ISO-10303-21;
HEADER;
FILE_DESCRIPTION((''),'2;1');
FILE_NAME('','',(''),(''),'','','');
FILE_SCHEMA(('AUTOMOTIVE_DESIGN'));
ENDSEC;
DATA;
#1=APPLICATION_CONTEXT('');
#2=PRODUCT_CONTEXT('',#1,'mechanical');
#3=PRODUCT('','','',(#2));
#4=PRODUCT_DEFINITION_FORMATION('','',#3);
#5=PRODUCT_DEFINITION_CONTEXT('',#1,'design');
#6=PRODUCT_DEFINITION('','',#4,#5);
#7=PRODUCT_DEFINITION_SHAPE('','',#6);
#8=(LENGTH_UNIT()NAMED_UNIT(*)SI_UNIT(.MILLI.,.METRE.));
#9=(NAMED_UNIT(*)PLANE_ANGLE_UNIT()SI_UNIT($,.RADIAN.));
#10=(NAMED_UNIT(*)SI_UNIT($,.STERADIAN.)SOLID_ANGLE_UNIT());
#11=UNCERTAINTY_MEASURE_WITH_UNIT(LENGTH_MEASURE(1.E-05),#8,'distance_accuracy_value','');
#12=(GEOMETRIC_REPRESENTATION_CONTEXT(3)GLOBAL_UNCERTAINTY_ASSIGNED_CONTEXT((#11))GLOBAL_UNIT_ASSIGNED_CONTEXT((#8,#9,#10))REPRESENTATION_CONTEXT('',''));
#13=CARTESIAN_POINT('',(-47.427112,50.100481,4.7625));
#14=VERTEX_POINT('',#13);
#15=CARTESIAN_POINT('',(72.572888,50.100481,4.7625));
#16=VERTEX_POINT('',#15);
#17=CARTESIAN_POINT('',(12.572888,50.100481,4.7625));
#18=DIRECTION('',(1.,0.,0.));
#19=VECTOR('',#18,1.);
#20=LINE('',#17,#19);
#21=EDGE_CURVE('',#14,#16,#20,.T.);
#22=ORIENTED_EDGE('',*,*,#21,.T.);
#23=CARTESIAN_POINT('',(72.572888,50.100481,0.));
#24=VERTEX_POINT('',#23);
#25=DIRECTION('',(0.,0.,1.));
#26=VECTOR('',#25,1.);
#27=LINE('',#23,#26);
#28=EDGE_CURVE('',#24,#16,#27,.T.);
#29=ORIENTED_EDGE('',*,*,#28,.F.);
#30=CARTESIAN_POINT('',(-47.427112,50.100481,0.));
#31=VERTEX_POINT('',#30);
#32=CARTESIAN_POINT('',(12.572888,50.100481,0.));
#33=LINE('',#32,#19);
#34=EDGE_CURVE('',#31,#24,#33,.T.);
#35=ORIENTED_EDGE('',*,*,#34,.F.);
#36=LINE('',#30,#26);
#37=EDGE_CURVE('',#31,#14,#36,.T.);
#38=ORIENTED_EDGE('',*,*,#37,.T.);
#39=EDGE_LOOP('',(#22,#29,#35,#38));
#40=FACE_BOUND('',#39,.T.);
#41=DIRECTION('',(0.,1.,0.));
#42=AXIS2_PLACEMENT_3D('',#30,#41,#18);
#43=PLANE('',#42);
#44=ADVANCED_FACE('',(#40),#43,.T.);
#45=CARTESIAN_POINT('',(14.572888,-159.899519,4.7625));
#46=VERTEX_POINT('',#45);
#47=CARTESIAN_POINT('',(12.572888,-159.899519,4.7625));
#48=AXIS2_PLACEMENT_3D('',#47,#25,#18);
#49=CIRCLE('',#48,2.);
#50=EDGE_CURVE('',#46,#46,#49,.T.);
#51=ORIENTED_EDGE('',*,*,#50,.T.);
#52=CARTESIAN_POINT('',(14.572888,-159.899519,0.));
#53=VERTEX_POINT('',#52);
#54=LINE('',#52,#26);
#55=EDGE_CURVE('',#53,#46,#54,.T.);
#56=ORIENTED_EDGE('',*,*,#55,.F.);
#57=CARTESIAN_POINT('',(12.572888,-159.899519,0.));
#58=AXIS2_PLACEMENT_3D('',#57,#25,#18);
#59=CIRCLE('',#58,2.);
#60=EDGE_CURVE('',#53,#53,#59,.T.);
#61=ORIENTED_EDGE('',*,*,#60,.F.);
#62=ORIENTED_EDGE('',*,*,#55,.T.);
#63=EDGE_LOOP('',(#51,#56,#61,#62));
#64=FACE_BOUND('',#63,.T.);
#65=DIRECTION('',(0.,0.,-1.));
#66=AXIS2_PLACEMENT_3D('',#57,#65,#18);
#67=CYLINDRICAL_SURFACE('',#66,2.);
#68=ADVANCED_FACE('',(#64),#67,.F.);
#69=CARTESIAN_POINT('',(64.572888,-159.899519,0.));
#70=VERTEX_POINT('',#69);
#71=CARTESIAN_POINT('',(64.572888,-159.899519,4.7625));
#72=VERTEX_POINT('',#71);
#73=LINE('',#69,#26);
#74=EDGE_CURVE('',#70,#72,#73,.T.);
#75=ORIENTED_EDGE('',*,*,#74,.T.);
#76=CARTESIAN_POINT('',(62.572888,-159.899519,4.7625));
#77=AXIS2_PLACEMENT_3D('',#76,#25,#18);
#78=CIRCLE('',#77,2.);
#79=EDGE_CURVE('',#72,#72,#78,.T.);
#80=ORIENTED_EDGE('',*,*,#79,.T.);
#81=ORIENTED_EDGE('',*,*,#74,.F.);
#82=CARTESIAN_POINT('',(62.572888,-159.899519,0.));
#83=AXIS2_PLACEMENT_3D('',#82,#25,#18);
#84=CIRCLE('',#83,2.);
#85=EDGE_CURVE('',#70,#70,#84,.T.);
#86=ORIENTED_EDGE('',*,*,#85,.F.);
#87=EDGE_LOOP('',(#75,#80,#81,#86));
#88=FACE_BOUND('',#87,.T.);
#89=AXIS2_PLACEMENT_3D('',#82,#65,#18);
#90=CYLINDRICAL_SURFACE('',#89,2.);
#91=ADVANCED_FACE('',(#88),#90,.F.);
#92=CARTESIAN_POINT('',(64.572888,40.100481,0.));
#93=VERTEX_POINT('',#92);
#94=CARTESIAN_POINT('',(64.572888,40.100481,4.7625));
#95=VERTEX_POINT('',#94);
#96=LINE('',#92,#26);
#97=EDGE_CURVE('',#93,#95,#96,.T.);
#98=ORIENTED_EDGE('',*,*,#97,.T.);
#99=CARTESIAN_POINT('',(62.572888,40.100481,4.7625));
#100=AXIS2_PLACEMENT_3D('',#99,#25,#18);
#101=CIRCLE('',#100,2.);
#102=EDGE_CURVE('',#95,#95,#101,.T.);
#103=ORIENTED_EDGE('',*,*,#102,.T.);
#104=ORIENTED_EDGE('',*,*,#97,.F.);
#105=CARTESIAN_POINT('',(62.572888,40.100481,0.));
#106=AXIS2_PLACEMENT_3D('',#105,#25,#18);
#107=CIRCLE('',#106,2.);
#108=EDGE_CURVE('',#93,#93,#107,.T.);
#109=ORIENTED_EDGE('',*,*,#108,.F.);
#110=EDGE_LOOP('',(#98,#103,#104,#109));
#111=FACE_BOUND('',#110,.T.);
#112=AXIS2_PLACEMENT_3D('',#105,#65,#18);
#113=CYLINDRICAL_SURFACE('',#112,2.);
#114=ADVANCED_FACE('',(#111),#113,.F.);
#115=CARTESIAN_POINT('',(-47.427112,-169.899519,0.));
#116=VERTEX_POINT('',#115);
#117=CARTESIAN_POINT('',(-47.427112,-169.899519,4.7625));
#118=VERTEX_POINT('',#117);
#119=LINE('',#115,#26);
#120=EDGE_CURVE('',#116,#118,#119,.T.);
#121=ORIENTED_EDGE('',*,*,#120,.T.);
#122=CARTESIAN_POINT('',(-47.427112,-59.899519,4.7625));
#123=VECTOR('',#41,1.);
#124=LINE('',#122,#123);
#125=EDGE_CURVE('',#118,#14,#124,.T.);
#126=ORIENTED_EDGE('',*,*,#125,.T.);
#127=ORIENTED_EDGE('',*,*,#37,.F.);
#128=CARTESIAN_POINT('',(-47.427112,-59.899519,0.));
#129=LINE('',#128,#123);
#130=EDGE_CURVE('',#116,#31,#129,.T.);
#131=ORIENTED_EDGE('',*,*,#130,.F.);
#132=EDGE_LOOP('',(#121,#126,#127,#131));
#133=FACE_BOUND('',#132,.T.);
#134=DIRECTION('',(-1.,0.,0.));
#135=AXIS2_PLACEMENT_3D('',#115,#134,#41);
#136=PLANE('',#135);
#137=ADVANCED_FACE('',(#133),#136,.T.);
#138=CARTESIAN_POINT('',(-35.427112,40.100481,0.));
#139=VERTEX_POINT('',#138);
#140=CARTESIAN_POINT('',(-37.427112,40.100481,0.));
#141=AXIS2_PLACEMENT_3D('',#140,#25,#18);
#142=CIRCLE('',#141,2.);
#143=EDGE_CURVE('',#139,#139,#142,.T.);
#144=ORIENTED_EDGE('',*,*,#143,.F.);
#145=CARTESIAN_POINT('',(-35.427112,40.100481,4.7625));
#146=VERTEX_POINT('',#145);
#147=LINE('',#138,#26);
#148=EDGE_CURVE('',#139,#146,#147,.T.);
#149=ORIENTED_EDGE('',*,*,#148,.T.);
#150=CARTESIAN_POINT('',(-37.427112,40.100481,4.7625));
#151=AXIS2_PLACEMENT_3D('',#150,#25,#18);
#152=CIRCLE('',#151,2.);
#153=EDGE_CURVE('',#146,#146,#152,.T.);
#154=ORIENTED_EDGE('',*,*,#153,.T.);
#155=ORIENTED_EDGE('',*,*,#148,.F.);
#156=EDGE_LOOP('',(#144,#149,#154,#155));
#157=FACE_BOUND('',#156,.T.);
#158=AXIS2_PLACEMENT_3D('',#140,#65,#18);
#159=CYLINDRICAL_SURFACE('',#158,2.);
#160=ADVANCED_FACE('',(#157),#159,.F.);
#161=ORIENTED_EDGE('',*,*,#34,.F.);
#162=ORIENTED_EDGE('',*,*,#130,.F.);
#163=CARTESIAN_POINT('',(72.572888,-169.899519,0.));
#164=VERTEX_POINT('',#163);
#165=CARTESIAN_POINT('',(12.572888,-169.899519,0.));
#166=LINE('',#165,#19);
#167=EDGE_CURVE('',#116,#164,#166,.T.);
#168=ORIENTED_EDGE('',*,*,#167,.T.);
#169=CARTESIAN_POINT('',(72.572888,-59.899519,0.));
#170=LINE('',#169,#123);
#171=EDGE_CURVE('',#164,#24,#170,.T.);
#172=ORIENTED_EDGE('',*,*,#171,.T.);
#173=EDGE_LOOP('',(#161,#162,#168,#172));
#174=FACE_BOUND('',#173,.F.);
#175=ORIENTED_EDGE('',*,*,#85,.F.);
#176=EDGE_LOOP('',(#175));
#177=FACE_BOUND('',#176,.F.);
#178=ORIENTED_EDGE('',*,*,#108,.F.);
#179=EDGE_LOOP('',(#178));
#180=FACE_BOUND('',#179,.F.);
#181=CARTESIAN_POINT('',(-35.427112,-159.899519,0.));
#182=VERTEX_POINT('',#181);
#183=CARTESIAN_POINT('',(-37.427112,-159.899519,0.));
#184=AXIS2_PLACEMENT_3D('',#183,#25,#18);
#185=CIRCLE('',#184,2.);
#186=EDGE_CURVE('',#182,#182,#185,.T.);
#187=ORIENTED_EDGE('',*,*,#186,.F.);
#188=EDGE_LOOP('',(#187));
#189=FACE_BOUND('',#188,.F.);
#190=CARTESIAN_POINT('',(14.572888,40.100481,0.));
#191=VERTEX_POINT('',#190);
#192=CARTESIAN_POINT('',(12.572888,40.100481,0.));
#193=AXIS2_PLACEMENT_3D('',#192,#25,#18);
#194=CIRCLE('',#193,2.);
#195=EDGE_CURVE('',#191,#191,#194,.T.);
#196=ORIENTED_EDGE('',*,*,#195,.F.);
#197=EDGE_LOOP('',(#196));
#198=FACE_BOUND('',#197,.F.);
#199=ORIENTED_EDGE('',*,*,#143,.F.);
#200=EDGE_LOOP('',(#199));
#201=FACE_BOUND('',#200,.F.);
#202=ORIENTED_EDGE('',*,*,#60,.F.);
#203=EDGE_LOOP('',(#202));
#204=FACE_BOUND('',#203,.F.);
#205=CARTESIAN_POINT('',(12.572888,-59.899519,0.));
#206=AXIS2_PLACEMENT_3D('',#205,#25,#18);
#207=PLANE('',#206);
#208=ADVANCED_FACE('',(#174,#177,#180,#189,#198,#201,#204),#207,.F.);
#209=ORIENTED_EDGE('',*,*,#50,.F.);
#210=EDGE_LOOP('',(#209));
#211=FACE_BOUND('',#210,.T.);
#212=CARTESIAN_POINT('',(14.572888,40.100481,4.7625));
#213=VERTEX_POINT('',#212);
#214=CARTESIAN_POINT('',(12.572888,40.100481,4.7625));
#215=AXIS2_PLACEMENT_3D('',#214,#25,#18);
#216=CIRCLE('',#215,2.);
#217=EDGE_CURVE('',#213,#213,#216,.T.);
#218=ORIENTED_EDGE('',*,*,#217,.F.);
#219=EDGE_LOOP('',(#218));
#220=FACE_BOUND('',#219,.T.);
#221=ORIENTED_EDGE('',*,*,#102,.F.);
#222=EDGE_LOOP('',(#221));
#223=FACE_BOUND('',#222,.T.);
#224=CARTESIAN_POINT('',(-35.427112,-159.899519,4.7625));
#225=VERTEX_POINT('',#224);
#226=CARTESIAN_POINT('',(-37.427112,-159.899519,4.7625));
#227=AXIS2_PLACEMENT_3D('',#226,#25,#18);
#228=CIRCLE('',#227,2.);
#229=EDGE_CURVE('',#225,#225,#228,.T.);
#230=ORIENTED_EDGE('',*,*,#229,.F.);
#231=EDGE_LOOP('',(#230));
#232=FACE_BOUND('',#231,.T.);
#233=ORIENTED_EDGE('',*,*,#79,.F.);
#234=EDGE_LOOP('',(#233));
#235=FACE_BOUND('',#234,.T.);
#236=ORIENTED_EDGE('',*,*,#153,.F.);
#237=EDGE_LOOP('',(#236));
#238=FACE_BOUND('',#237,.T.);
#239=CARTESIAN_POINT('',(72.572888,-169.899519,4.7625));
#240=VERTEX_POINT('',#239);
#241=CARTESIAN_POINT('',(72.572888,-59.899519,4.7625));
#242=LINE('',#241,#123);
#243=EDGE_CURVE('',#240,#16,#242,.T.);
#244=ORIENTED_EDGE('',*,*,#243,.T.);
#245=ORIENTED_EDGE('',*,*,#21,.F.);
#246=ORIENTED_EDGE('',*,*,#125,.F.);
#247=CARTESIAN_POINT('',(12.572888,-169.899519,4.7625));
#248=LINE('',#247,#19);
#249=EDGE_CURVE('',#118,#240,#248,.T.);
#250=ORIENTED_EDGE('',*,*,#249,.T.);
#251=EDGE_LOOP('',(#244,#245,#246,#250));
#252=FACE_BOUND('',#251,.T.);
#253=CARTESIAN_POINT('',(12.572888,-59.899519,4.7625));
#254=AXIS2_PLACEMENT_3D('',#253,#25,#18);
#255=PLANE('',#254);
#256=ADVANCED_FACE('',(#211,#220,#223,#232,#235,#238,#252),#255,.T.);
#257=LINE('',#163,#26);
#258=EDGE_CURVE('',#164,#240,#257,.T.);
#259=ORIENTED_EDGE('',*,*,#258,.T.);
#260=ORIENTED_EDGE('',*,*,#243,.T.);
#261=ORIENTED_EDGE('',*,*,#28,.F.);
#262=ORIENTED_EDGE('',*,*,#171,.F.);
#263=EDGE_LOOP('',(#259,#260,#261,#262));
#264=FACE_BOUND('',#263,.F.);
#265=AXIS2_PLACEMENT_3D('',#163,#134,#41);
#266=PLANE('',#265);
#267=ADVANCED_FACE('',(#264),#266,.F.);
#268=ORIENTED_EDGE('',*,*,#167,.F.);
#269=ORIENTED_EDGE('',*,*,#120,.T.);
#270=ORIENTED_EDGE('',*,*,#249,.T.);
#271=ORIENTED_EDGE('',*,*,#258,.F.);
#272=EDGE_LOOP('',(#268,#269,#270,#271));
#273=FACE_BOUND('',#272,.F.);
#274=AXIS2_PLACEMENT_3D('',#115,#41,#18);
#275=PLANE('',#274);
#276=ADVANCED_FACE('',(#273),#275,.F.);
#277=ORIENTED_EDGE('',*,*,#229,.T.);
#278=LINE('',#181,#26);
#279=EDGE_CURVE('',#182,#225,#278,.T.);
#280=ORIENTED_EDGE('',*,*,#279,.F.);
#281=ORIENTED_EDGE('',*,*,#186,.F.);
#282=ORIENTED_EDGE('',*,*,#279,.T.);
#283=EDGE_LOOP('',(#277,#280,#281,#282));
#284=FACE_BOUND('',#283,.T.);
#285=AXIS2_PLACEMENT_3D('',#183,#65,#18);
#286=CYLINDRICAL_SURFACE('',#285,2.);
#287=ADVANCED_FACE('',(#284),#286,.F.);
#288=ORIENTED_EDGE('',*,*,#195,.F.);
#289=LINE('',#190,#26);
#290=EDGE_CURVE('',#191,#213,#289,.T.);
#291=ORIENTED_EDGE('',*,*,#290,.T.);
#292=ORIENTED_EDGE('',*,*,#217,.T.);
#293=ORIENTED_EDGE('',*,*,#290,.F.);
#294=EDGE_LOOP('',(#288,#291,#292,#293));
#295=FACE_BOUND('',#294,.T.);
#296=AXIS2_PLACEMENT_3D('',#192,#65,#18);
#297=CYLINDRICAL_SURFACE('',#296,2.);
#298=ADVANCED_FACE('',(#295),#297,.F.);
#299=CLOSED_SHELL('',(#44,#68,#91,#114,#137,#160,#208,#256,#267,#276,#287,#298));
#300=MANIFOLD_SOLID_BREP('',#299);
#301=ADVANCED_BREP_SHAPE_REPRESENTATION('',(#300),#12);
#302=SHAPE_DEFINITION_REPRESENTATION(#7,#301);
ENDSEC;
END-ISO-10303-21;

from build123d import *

# Parameters (mm, degrees)
F0_W     = 120
F0_H     = 220
F0_R     = 2
F1_DEPTH = 4.7625


with BuildPart() as f1:
    # F0 (on Top) → F1 (new body)
    with BuildSketch(Plane.XY):
        with Locations((12.572888, -59.899519)):
            Rectangle(F0_W, F0_H)
        with Locations((-37.427112, -159.899519)):
            Circle(F0_R, mode=Mode.SUBTRACT)
        with Locations((12.572888, -159.899519)):
            Circle(F0_R, mode=Mode.SUBTRACT)
        with Locations((62.572888, -159.899519)):
            Circle(F0_R, mode=Mode.SUBTRACT)
        with Locations((-37.427112, 40.100481)):
            Circle(F0_R, mode=Mode.SUBTRACT)
        with Locations((12.572888, 40.100481)):
            Circle(F0_R, mode=Mode.SUBTRACT)
        with Locations((62.572888, 40.100481)):
            Circle(F0_R, mode=Mode.SUBTRACT)
    extrude(amount=F1_DEPTH)


solid = f1.part
